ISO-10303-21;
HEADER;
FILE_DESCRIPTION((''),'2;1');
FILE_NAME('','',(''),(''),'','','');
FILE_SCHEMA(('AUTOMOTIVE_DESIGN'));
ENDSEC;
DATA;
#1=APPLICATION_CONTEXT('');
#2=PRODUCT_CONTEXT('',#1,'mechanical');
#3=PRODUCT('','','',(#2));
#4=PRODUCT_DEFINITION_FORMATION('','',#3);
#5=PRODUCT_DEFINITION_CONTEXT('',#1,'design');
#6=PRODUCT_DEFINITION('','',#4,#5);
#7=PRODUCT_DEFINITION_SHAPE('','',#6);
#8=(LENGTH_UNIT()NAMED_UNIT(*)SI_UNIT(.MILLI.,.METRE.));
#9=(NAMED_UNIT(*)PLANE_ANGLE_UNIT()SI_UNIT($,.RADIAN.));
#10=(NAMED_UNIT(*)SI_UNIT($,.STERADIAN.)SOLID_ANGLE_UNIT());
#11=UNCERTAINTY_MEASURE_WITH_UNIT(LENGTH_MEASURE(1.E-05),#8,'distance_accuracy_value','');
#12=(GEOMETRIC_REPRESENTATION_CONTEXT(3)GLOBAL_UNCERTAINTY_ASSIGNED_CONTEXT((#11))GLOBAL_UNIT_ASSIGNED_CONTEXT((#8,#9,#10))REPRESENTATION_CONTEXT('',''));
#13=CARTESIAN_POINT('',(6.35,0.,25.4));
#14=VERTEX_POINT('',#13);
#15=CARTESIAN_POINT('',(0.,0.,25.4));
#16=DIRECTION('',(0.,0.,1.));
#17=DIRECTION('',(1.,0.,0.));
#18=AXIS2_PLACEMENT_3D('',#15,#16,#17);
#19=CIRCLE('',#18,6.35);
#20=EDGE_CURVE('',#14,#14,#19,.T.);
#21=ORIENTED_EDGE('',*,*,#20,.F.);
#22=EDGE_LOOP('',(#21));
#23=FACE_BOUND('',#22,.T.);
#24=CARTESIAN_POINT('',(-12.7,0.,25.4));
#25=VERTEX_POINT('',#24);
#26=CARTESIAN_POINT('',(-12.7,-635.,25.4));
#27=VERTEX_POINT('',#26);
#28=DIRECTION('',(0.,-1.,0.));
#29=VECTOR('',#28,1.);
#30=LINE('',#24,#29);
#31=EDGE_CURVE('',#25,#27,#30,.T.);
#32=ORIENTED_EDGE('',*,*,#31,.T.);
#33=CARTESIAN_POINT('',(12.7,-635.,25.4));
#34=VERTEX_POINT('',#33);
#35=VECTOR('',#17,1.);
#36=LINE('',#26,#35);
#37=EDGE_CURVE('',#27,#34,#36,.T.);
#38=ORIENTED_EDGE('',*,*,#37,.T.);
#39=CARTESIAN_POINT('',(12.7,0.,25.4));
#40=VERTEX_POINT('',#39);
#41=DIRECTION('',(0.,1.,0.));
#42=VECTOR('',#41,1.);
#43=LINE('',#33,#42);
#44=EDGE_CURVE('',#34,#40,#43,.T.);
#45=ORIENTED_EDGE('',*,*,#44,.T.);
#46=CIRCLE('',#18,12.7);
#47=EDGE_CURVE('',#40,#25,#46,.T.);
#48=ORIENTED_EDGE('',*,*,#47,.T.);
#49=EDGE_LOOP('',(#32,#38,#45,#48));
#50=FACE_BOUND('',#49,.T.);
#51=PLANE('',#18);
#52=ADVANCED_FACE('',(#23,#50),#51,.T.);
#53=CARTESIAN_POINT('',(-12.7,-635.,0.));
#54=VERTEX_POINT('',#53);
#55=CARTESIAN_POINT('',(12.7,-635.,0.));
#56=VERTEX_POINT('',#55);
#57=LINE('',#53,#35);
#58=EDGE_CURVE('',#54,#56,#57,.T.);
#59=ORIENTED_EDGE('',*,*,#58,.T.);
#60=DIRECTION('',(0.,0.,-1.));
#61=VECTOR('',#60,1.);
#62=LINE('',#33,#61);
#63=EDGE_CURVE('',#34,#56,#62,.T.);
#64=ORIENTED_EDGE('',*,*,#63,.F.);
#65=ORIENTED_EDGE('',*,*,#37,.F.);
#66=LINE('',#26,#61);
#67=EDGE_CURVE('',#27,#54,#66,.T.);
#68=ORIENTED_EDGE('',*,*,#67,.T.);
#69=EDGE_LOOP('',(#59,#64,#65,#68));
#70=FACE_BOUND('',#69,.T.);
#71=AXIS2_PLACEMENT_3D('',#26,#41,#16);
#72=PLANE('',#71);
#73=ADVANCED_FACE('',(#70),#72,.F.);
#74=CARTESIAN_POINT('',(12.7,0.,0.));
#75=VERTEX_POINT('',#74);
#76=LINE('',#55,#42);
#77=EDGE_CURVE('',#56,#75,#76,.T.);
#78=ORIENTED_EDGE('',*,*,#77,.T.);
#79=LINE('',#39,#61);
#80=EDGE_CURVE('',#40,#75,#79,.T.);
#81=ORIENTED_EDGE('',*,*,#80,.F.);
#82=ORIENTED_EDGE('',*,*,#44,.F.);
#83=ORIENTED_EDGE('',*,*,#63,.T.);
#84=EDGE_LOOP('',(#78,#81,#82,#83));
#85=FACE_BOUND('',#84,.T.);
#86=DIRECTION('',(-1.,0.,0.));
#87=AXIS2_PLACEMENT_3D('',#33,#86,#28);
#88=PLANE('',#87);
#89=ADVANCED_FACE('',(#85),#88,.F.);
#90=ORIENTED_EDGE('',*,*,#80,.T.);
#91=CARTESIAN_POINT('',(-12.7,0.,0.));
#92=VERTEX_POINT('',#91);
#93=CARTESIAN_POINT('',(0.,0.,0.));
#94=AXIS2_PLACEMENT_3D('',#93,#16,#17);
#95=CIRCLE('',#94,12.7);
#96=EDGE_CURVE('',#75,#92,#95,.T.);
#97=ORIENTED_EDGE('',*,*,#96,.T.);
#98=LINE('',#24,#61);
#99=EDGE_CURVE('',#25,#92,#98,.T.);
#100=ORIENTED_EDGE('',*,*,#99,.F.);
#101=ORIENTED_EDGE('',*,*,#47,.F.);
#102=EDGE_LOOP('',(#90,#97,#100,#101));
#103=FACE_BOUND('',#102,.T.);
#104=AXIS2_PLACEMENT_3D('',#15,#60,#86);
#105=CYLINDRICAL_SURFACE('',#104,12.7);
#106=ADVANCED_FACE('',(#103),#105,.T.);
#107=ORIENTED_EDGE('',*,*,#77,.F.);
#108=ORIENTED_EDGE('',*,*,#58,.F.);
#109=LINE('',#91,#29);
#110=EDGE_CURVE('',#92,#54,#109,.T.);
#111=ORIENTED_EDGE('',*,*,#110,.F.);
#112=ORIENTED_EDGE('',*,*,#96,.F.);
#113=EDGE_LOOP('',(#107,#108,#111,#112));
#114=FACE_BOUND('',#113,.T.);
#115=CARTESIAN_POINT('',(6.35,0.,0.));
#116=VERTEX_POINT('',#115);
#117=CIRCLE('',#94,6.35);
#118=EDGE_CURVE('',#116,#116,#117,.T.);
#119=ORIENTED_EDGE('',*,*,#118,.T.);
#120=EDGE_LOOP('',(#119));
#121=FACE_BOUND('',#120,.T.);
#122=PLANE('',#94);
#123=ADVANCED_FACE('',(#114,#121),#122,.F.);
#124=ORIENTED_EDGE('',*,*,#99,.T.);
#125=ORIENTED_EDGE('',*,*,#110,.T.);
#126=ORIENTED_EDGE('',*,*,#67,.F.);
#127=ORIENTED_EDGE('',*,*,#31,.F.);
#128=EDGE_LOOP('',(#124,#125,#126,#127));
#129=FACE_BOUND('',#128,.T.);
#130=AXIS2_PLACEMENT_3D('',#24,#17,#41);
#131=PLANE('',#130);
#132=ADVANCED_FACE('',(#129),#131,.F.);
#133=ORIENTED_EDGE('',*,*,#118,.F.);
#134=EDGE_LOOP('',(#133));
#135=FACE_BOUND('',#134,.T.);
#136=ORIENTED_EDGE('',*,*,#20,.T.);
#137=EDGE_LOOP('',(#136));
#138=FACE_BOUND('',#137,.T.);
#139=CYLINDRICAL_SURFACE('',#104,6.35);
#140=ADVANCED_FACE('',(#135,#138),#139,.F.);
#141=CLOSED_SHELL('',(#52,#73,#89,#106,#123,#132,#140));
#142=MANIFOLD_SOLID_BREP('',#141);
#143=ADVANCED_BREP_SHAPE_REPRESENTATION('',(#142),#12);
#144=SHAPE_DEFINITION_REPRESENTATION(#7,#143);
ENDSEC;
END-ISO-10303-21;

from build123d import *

# Parameters (mm, degrees)
SKETCH1_R           = 6.35
BOSS_EXTRUDE1_DEPTH = 25.4


with BuildPart() as part:
    # Sketch1 → Boss-Extrude1 (new body)
    with BuildSketch(Plane.XY):
        with BuildLine():
            Line((-12.7, 0), (-12.7, -635))
            Line((-12.7, -635), (12.7, -635))
            Line((12.7, -635), (12.7, 0))
            ThreePointArc((12.7, 0), (0, 12.7), (-12.7, 0))
        make_face()
        Circle(SKETCH1_R, mode=Mode.SUBTRACT)
    extrude(amount=BOSS_EXTRUDE1_DEPTH)


solid = part.part
